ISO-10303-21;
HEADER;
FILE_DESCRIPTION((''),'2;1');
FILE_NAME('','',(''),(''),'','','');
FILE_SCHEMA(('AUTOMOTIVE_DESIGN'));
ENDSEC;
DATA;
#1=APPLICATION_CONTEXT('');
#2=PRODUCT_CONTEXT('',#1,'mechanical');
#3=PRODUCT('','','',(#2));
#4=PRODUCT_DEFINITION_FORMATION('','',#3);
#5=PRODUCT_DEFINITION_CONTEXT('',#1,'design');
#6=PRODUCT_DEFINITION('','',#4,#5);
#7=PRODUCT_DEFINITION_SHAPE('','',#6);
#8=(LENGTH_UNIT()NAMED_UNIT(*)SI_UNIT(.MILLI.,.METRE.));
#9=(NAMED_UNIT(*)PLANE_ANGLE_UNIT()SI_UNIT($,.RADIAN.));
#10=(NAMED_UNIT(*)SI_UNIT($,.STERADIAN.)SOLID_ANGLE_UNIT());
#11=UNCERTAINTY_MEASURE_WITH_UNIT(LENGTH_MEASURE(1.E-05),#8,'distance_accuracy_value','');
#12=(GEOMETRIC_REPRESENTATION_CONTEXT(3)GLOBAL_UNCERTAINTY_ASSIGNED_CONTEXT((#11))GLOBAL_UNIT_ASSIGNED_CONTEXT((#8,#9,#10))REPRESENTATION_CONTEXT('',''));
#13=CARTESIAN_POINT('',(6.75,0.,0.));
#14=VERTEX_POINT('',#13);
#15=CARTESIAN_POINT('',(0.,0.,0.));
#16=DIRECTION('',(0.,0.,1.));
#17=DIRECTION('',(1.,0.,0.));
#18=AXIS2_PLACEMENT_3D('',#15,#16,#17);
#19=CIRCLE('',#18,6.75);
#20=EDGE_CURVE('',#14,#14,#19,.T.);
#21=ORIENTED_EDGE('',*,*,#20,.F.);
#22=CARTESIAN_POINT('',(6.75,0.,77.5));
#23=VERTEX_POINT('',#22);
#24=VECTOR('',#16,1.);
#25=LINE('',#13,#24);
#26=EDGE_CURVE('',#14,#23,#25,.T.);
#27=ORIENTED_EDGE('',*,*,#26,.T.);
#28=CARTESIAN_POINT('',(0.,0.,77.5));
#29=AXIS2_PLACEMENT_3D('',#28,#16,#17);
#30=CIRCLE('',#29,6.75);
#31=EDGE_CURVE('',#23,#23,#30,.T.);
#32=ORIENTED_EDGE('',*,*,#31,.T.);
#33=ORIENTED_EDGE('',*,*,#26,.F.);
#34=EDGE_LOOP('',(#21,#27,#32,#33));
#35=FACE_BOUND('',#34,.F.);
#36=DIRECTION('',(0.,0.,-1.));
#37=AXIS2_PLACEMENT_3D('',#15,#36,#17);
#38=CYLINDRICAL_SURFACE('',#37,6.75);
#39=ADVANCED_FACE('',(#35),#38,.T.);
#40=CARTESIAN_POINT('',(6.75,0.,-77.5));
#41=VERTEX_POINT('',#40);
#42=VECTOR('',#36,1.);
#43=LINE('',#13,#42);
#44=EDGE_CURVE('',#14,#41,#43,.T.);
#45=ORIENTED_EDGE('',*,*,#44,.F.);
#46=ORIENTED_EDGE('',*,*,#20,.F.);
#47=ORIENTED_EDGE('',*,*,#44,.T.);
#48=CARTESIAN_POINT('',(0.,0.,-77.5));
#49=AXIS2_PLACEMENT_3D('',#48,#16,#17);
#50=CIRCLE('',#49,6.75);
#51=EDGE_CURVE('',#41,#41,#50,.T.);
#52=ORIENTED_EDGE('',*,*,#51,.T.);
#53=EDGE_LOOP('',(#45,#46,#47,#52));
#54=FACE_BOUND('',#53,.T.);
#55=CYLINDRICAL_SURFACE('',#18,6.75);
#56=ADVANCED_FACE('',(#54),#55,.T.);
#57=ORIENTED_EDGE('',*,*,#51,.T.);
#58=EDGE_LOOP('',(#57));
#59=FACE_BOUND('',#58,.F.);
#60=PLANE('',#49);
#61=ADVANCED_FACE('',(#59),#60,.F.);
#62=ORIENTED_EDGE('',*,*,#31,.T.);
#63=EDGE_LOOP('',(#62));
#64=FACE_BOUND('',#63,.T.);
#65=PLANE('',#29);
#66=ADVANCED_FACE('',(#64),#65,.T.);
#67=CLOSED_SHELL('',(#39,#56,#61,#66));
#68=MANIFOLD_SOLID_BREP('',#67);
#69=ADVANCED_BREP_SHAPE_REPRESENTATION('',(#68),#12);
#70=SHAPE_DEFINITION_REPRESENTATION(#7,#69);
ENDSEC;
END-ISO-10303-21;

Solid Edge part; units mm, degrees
sketch "Sketch1" plane through (0, 0, 0) normal (0, 0, 1) x (1, 0, 0)
  circle A0 centre (0, 0) radius 6.75
extrude "Protrusion1" add sketch "Sketch1" along normal mid plane 155
